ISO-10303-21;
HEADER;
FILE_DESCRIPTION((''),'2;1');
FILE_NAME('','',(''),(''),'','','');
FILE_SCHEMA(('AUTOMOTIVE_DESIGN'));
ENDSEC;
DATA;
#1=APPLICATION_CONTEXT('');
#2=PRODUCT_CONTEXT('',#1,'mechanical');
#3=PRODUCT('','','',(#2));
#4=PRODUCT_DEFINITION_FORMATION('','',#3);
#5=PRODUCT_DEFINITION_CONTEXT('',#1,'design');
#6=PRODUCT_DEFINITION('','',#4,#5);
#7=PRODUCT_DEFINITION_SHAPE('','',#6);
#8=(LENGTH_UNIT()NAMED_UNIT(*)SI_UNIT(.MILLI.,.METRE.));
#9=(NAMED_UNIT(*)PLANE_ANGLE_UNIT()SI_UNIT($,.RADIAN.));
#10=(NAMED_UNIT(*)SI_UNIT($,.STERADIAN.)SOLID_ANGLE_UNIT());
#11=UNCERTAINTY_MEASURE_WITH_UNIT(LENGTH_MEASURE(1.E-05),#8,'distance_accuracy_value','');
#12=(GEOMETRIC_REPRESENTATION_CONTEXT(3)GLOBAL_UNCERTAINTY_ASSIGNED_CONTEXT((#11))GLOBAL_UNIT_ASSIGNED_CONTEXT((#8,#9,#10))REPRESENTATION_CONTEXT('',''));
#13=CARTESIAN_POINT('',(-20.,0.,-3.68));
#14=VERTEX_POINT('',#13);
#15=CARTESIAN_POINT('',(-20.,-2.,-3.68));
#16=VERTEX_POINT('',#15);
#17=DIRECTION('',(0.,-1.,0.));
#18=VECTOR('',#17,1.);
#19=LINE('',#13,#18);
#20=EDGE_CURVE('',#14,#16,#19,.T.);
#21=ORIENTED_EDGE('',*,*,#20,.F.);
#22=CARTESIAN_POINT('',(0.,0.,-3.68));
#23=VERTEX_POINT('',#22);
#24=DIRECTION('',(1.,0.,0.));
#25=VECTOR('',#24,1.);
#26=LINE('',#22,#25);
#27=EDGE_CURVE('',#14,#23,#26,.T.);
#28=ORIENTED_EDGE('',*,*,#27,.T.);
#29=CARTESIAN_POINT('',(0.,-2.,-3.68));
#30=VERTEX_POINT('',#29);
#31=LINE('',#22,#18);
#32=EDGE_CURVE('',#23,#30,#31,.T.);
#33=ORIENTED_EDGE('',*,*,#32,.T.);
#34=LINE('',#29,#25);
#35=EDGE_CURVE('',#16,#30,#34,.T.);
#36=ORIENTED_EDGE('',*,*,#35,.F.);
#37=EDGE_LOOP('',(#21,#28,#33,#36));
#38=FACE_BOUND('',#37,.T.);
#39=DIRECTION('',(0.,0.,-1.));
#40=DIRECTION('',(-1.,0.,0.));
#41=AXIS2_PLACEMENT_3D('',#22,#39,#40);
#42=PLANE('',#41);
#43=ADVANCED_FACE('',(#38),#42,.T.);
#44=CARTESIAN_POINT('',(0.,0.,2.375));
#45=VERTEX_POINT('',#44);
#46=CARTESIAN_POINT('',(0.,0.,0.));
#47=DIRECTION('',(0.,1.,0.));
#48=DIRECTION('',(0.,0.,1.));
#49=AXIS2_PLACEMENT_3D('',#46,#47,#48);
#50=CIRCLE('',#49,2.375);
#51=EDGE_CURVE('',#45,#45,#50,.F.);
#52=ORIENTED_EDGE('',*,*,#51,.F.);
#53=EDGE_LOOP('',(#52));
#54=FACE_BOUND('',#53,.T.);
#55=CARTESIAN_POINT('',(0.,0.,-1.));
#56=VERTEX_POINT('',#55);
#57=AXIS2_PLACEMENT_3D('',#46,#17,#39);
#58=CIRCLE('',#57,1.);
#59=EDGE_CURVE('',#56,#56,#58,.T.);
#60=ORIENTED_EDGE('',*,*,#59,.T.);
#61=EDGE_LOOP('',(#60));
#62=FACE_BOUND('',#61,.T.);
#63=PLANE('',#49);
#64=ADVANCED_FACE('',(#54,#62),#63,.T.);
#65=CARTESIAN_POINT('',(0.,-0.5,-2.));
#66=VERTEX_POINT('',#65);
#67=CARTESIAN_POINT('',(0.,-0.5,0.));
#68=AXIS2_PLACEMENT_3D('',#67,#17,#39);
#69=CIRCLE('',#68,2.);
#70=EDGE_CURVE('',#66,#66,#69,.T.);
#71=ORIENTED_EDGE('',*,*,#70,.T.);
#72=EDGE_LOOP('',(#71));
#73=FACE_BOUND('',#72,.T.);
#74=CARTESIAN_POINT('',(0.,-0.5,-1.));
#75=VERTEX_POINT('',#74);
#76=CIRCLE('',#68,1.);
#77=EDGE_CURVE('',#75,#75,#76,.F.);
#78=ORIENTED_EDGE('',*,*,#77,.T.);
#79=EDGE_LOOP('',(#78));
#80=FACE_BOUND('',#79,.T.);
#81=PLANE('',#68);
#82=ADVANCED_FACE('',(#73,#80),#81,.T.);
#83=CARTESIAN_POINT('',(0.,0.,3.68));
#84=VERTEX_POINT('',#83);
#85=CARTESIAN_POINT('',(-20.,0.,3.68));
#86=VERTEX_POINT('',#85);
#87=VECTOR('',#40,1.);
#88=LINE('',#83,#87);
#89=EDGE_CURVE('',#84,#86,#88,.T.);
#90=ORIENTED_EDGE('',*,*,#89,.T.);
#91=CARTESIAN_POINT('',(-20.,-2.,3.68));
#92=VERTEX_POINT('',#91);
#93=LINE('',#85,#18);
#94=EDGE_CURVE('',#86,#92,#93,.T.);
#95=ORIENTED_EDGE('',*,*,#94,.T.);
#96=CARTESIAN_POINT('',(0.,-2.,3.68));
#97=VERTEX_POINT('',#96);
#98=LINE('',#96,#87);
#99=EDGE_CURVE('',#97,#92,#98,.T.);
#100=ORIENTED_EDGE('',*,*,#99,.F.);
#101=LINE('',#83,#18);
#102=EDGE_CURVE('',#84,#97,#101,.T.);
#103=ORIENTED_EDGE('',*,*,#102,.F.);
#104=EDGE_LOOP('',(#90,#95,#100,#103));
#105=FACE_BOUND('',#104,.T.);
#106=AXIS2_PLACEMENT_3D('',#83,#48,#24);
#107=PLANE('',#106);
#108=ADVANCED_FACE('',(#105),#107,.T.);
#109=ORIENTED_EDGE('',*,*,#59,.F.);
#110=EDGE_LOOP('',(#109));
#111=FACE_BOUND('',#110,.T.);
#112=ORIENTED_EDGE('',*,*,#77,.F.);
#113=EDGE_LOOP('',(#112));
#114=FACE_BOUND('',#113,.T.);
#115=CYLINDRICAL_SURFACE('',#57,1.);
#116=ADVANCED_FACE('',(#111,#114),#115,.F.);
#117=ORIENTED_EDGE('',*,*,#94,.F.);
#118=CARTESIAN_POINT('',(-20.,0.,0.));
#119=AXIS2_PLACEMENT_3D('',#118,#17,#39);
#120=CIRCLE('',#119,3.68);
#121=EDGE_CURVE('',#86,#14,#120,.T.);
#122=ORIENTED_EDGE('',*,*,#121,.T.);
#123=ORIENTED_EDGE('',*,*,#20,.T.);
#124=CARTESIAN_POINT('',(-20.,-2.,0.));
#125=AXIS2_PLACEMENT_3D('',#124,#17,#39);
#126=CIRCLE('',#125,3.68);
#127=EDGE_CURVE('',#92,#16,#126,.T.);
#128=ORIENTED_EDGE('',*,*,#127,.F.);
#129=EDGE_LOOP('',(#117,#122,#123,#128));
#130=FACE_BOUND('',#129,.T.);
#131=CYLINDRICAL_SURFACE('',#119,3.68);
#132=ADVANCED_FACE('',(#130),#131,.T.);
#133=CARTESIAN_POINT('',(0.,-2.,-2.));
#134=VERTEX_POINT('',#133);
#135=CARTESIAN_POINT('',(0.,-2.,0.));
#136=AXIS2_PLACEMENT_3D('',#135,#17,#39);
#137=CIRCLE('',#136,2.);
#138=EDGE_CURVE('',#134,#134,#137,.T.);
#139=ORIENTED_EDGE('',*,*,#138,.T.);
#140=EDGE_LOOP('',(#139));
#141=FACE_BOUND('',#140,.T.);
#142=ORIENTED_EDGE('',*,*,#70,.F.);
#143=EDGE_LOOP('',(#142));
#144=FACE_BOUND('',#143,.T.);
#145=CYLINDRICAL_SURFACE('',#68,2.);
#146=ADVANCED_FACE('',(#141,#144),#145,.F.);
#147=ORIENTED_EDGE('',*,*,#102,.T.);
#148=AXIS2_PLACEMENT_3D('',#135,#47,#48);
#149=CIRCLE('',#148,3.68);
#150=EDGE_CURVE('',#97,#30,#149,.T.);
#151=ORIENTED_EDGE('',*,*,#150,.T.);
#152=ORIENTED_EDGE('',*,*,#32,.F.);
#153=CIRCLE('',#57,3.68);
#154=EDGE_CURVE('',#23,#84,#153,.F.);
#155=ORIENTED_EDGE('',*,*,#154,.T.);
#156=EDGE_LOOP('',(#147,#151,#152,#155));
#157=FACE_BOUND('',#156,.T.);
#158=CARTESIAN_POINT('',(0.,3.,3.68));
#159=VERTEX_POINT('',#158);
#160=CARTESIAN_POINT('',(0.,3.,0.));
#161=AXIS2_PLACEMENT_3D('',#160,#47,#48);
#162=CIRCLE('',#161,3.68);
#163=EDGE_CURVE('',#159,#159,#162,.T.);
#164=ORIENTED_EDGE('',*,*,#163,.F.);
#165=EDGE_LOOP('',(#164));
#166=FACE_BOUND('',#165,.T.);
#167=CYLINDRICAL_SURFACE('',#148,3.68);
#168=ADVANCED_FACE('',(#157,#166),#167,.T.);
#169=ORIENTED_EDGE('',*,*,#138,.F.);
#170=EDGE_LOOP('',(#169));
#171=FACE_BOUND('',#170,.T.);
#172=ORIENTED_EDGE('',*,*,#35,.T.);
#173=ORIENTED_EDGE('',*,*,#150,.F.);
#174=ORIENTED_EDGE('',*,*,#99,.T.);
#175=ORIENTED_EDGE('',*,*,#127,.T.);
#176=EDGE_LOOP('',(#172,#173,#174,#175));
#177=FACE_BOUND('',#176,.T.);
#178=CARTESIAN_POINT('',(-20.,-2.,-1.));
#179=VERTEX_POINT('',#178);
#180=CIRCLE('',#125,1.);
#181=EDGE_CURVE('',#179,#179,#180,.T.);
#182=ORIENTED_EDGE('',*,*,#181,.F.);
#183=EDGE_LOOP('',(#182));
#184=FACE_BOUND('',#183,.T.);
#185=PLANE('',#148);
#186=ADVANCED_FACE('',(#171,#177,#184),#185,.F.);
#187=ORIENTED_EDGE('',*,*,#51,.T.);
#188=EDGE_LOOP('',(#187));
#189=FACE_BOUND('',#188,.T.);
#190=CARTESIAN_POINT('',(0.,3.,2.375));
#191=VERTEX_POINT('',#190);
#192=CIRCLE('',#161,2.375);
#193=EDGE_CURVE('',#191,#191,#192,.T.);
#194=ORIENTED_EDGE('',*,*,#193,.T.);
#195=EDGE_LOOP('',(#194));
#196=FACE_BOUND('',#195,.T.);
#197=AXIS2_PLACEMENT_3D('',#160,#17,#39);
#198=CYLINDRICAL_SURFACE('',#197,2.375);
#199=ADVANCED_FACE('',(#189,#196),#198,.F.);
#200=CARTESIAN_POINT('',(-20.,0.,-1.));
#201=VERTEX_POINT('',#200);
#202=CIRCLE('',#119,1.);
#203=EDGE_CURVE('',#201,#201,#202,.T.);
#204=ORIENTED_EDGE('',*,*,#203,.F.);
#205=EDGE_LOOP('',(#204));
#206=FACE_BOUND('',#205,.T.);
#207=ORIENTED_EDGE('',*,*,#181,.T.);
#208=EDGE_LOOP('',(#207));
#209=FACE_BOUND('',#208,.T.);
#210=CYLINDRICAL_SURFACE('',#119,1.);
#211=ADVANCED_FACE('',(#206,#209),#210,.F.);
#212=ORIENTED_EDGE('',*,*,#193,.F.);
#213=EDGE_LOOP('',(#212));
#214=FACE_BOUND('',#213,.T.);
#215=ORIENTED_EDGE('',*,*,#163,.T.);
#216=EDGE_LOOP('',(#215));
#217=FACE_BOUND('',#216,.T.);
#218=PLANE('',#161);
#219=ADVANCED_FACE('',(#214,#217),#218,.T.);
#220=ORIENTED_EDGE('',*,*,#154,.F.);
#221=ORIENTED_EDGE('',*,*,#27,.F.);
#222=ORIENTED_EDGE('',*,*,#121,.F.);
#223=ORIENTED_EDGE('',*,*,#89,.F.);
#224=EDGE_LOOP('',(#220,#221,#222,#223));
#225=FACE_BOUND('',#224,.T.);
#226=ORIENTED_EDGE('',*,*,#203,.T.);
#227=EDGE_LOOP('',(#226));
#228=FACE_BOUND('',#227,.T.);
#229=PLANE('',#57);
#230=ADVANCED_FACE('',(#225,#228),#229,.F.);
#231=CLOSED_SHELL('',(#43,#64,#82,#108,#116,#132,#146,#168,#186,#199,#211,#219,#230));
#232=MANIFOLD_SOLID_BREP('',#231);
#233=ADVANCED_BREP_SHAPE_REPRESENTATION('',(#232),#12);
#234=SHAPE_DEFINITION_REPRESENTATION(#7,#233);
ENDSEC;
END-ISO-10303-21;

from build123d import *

# Parameters (mm, degrees)
SKETCH1_R           = 3.68
BOSS_EXTRUDE1_DEPTH = 2
BOSS_EXTRUDE2_START = 3
SKETCH2_R           = 3.68
SKETCH2_R_2         = 2.375
BOSS_EXTRUDE2_DEPTH = 3
BOSS_EXTRUDE3_START = -2
BOSS_EXTRUDE3_DEPTH = 2
SKETCH7_R           = 1
CUT_EXTRUDE4_DEPTH  = 2
SKETCH8_R           = 2
CUT_EXTRUDE6_DEPTH  = 1.5


with BuildPart() as part:
    # Sketch1 → Boss-Extrude1 (new body)
    with BuildSketch(Plane(origin=(0, 0, 0), x_dir=(1, 0, 0), z_dir=(0, 1, 0))):
        with Locations(Location((0, 0, 0), (0, 0, 270))):
            Circle(SKETCH1_R)
    extrude(amount=-BOSS_EXTRUDE1_DEPTH)

    # Sketch2 → Boss-Extrude2 (add)
    with BuildSketch(Plane(origin=(0, 0, 0), x_dir=(1, 0, 0), z_dir=(0, 1, 0)).offset(BOSS_EXTRUDE2_START)):
        with Locations(Location((0, 0, 0), (0, 0, 270))):
            Circle(SKETCH2_R)
        with Locations(Location((0, 0, 0), (0, 0, 270))):
            Circle(SKETCH2_R_2, mode=Mode.SUBTRACT)
    extrude(amount=-BOSS_EXTRUDE2_DEPTH)

    # Sketch6 → Boss-Extrude3 (add)
    with BuildSketch(Plane.XZ.offset(2).offset(BOSS_EXTRUDE3_START)):
        with BuildLine():
            Line((0, -3.68), (-20, -3.68))
            ThreePointArc((-20, -3.68), (-23.68, 0), (-20, 3.68))
            Line((-20, 3.68), (0, 3.68))
            ThreePointArc((0, 3.68), (3.68, 0), (0, -3.68))
        make_face()
    extrude(amount=BOSS_EXTRUDE3_DEPTH)

    # Sketch7 → Cut-Extrude4 (cut)
    with BuildSketch(Plane.XZ.offset(2)):
        with Locations(Location((0, 0, 0), (0, 0, 270))):
            Circle(SKETCH7_R)
        with Locations(Location((-20, 0, 0), (0, 0, 270))):
            Circle(SKETCH7_R)
    extrude(amount=-CUT_EXTRUDE4_DEPTH, mode=Mode.SUBTRACT)

    # Sketch8 → Cut-Extrude6 (cut)
    with BuildSketch(Plane.XZ.offset(2)):
        with Locations(Location((0, 0, 0), (0, 0, 270))):
            Circle(SKETCH8_R)
    extrude(amount=-CUT_EXTRUDE6_DEPTH, mode=Mode.SUBTRACT)


solid = part.part
